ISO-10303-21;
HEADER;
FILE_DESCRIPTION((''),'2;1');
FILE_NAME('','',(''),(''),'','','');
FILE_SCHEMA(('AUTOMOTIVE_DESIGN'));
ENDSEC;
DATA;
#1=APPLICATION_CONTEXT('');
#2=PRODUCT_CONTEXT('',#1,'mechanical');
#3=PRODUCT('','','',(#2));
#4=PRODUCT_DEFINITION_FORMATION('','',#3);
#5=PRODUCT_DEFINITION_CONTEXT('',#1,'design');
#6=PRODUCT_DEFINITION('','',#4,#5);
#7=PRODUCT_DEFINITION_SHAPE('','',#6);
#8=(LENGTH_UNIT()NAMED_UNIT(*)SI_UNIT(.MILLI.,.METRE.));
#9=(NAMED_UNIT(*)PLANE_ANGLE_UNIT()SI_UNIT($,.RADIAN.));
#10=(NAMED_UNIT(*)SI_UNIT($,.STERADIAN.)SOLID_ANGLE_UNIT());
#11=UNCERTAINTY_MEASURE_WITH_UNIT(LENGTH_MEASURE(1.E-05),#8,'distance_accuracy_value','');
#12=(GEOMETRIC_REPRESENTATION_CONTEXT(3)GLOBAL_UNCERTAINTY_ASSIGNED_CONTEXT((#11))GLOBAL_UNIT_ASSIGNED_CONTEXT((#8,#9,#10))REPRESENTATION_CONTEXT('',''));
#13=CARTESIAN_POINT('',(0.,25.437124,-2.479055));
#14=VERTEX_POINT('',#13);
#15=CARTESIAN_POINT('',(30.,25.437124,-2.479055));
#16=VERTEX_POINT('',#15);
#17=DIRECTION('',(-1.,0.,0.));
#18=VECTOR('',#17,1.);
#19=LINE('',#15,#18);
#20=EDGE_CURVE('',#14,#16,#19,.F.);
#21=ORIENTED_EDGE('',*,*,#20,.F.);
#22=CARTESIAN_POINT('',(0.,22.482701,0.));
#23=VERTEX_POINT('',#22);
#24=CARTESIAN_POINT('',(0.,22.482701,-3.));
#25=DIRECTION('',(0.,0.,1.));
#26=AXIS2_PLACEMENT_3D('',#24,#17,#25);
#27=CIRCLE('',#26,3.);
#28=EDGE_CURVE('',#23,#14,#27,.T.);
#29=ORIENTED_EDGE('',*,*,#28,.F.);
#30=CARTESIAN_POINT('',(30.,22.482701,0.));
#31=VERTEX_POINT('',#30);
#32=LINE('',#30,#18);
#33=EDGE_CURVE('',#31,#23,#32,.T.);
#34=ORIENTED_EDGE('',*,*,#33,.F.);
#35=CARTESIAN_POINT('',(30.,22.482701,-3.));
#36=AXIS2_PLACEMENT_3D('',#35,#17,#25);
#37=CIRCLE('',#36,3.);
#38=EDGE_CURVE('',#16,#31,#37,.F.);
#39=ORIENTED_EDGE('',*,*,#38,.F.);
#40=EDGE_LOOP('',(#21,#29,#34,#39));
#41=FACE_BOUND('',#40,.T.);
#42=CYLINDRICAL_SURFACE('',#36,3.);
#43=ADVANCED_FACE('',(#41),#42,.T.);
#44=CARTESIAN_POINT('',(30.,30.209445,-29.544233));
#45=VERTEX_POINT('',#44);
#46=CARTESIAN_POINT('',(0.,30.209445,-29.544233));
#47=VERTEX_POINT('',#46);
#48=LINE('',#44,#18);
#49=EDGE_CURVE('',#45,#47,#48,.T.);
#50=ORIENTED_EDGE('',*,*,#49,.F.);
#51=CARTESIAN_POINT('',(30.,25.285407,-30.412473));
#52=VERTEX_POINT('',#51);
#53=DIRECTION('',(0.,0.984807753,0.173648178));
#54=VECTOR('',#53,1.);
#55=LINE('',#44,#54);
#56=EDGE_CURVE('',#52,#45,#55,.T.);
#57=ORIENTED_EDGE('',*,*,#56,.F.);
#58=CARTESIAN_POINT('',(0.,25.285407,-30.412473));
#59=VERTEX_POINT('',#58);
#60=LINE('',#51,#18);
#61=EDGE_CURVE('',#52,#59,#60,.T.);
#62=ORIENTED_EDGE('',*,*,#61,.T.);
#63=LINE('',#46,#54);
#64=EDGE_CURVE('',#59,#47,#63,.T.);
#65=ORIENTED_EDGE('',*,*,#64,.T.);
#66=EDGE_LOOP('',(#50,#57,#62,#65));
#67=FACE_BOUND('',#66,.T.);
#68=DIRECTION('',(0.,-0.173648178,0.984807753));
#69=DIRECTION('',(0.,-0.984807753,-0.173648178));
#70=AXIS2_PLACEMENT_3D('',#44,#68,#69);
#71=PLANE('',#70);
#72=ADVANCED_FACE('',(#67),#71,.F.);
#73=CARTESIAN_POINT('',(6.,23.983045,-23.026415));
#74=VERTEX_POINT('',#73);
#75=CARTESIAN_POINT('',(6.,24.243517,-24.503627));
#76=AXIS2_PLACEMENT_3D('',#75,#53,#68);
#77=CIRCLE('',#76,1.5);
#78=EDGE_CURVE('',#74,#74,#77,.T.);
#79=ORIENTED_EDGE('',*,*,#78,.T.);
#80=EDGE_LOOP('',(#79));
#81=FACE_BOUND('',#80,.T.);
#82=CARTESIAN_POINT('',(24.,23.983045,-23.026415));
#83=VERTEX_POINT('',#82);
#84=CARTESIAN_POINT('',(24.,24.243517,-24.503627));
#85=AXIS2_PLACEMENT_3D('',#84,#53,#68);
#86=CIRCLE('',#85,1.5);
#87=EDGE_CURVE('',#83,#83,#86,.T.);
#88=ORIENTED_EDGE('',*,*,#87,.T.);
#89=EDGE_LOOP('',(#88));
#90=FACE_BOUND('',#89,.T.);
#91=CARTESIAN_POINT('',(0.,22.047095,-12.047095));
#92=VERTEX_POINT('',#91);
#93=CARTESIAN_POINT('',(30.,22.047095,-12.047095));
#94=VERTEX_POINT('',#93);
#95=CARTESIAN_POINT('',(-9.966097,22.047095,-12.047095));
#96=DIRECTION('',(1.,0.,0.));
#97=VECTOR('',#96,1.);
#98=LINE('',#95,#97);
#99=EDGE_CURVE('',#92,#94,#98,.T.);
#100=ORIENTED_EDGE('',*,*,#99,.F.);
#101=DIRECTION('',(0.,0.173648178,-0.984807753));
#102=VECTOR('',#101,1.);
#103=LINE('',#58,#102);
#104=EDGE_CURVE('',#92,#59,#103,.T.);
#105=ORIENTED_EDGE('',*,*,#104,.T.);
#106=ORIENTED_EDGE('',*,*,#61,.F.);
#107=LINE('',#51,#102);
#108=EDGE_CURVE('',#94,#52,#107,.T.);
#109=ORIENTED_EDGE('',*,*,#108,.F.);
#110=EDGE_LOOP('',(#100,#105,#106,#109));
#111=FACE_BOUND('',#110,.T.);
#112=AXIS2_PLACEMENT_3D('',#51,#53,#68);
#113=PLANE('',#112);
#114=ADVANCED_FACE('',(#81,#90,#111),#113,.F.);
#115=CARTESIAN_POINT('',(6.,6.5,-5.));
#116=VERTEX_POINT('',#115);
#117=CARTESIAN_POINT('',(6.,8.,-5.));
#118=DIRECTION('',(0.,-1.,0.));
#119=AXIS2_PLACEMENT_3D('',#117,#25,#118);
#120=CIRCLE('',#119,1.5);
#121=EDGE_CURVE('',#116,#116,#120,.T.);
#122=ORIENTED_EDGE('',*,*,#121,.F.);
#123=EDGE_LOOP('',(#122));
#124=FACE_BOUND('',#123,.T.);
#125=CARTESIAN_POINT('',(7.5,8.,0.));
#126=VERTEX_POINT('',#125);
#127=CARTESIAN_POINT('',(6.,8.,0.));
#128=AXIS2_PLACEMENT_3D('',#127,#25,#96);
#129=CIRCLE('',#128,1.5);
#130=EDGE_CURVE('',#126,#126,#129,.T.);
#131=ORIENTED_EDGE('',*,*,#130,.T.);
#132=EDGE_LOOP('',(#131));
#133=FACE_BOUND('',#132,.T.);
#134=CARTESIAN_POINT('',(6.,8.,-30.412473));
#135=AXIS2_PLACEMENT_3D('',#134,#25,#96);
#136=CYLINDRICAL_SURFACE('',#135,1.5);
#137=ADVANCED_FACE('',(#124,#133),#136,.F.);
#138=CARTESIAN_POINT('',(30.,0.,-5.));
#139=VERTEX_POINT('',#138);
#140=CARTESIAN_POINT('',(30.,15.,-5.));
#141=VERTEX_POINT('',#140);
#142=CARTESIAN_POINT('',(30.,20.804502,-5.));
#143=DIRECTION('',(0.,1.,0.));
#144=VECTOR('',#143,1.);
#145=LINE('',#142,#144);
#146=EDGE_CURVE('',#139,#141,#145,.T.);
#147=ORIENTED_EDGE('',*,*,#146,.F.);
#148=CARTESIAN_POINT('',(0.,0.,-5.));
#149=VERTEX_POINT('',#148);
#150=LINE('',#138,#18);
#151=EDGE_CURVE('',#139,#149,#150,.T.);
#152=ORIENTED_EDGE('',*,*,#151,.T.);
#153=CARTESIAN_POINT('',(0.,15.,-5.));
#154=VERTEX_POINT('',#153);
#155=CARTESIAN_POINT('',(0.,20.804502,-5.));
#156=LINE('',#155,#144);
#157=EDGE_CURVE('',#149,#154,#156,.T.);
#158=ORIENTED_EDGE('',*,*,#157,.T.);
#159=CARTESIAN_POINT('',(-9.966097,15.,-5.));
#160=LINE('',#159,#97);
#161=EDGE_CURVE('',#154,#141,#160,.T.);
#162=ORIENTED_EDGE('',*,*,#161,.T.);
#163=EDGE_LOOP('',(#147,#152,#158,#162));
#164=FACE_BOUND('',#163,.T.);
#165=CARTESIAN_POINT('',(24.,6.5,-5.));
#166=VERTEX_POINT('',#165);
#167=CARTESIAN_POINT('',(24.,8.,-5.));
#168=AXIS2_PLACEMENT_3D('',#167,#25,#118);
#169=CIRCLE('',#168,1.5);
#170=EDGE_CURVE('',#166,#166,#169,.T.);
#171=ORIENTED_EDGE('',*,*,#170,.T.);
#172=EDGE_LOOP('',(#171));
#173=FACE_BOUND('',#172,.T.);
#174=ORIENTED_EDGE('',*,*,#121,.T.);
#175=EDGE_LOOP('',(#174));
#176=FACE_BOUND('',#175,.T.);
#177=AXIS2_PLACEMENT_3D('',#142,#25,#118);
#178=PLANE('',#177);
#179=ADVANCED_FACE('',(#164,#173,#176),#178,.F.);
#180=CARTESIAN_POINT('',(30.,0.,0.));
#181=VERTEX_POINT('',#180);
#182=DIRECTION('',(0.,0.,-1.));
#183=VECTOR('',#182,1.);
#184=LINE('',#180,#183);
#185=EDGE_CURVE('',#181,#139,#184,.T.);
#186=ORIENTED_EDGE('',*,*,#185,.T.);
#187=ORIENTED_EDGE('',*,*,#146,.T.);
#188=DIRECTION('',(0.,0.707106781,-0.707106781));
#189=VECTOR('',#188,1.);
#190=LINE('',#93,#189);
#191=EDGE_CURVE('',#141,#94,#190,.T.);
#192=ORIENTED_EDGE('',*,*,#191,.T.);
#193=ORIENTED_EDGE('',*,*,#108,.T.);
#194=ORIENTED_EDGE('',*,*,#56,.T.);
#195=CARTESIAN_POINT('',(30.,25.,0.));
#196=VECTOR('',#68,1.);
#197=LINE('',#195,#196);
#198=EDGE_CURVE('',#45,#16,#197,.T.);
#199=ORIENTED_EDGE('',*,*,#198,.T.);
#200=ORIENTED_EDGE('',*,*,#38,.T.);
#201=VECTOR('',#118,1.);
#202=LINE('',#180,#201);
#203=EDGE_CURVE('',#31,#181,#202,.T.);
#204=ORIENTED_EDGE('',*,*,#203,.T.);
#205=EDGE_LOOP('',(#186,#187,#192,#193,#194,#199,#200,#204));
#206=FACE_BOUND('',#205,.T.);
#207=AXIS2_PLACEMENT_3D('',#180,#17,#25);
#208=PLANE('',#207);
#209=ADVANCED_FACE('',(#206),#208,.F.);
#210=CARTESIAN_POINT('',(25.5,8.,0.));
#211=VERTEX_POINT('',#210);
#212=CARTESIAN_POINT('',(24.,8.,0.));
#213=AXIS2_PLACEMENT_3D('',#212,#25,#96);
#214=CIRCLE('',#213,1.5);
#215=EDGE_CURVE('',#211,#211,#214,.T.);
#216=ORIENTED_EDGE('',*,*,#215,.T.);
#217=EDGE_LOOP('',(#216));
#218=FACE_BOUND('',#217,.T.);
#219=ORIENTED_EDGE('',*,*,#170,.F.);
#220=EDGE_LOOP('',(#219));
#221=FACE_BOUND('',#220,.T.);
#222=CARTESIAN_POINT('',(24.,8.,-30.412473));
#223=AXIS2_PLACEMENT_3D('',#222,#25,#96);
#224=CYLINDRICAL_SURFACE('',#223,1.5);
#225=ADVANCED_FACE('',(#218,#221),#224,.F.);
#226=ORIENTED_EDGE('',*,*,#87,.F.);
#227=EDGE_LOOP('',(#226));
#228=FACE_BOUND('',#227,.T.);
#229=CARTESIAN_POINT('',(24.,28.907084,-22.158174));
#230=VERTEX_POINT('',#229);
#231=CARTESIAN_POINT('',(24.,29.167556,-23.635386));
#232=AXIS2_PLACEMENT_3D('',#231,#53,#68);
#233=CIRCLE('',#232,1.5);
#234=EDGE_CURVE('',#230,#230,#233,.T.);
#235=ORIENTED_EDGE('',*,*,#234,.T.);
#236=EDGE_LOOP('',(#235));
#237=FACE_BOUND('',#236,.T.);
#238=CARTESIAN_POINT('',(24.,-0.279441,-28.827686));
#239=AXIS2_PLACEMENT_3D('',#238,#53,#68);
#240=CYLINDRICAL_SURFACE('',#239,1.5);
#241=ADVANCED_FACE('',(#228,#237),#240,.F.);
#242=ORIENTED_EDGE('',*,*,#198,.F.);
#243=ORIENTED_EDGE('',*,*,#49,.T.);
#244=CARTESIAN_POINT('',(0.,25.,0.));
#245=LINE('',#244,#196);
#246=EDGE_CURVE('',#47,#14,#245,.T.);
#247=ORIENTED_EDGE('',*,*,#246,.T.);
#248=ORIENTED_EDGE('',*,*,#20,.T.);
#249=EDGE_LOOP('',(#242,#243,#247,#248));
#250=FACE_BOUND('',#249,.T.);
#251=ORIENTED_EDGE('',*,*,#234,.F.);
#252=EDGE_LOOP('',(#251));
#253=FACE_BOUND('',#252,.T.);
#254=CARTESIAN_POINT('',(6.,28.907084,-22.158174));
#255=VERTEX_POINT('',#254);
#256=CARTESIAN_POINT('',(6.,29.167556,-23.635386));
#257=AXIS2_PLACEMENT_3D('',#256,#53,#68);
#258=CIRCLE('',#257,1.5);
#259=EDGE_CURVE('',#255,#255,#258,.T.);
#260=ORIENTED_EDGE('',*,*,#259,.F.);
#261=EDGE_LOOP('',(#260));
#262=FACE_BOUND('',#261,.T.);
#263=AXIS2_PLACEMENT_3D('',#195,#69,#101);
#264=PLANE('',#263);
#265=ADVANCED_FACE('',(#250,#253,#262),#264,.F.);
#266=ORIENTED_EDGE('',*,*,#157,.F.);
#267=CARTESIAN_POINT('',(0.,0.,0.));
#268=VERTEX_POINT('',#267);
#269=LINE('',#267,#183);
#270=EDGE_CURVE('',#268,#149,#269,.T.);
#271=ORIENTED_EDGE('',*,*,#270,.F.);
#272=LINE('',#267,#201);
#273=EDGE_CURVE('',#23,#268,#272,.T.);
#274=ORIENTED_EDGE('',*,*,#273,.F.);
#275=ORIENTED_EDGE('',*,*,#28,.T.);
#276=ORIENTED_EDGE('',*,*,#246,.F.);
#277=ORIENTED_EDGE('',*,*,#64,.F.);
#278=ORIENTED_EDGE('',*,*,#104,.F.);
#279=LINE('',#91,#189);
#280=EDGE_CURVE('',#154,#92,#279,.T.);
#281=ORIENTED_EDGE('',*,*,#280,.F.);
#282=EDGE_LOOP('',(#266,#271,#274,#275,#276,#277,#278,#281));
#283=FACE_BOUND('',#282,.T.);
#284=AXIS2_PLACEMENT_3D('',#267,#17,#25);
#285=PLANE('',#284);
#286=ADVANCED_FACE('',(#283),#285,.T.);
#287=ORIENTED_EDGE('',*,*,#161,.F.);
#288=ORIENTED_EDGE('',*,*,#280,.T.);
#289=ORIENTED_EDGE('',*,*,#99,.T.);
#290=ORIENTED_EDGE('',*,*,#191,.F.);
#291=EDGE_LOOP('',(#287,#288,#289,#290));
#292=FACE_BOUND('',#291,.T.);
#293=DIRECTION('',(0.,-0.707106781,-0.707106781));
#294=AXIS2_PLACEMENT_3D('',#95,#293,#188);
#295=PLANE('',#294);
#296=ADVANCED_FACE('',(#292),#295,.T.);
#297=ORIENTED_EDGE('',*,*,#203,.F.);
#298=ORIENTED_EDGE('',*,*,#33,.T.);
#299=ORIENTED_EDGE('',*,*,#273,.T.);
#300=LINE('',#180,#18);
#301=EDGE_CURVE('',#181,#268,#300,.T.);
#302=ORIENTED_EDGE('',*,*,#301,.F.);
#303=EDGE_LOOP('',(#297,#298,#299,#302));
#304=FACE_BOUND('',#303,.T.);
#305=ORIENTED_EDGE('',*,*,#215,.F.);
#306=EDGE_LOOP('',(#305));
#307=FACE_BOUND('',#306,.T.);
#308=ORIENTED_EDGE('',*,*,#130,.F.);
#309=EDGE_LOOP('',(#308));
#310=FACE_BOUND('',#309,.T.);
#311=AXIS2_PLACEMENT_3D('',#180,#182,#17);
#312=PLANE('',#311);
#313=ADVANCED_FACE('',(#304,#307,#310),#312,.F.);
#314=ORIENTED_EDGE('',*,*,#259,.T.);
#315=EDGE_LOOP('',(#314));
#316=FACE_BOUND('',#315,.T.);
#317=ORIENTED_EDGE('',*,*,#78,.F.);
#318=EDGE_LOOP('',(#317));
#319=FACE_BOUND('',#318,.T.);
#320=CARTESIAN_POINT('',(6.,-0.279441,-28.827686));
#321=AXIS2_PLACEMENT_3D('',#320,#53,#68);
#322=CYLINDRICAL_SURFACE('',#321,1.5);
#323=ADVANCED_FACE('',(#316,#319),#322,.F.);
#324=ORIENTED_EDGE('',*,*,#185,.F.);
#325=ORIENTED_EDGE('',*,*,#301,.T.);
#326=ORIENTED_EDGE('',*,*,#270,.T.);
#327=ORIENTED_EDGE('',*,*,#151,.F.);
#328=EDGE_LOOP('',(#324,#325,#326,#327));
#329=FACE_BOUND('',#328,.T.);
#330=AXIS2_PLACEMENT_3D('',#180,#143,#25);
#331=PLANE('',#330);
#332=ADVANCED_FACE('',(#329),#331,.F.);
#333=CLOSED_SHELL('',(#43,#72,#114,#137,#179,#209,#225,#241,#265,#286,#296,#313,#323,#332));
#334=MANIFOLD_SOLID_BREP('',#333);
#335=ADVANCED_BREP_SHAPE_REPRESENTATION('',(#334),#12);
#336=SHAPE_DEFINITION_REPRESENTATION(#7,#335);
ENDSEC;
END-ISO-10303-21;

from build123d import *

# Parameters (mm, degrees)
EXTRUDE_1_DEPTH     = 30
FILLET_1_R          = 3
SKETCH_2_R          = 1.5
CUT_EXTRUDE_1_DEPTH = 53.32140222
SKETCH_3_R          = 1.5
CUT_EXTRUDE_2_DEPTH = 52.875952527
EXTRUDE_2_DEPTH     = 30


with BuildPart() as part:
    # 草图1 → 凸台-拉伸1 (new body)
    with BuildSketch(Plane(origin=(0, 0, 0), x_dir=(0, 0, -1), z_dir=(1, 0, 0))):
        Polygon((0, 0), (5, 0), (5, 20.804501844), (30.412473479, 25.285406565), (29.54423259, 30.20944533), (0, 25), align=None)
    extrude(amount=EXTRUDE_1_DEPTH)

    # 圆角1
    fillet_1_edges = [part.edges().sort_by_distance(p)[0] for p in [
        (15, 25, 0),
        (15, 20.804501844, -5),
    ]]
    fillet(fillet_1_edges, radius=FILLET_1_R)

    # 草图2 → 切除-拉伸1 (cut, through all)
    with BuildSketch(Plane.XY):
        with Locations((6, 8)):
            Circle(SKETCH_2_R)
        with Locations((24, 8)):
            Circle(SKETCH_2_R)
    extrude(amount=-CUT_EXTRUDE_1_DEPTH, mode=Mode.SUBTRACT)

    # 草图3 → 切除-拉伸2 (cut, through all)
    with BuildSketch(Plane(origin=(0, 24.24615776, 4.275251792), x_dir=(1, 0, 0), z_dir=(0, 0.9848077530122086, 0.1736481776669273))):
        with Locations(Location((6, 28.341204442, 0), (0, 0, 270))):
            Circle(SKETCH_3_R)
        with Locations(Location((24, 28.341204442, 0), (0, 0, 270))):
            Circle(SKETCH_3_R)
    extrude(amount=-CUT_EXTRUDE_2_DEPTH, mode=Mode.SUBTRACT)

    # 草图4 → 凸台-拉伸2 (add)
    with BuildSketch(Plane(origin=(30, 0, 0), x_dir=(0, 0, -1), z_dir=(1, 0, 0))):
        with BuildLine():
            Line((5, 15), (5, 18.287202951))
            ThreePointArc((5, 18.287202951), (5.701866671, 20.21556578), (7.479055467, 21.24162621))
            Line((7.479055467, 21.24162621), (12.047094791, 22.047094791))
            Line((12.047094791, 22.047094791), (5, 15))
        make_face()
    extrude(amount=-EXTRUDE_2_DEPTH)


solid = part.part
